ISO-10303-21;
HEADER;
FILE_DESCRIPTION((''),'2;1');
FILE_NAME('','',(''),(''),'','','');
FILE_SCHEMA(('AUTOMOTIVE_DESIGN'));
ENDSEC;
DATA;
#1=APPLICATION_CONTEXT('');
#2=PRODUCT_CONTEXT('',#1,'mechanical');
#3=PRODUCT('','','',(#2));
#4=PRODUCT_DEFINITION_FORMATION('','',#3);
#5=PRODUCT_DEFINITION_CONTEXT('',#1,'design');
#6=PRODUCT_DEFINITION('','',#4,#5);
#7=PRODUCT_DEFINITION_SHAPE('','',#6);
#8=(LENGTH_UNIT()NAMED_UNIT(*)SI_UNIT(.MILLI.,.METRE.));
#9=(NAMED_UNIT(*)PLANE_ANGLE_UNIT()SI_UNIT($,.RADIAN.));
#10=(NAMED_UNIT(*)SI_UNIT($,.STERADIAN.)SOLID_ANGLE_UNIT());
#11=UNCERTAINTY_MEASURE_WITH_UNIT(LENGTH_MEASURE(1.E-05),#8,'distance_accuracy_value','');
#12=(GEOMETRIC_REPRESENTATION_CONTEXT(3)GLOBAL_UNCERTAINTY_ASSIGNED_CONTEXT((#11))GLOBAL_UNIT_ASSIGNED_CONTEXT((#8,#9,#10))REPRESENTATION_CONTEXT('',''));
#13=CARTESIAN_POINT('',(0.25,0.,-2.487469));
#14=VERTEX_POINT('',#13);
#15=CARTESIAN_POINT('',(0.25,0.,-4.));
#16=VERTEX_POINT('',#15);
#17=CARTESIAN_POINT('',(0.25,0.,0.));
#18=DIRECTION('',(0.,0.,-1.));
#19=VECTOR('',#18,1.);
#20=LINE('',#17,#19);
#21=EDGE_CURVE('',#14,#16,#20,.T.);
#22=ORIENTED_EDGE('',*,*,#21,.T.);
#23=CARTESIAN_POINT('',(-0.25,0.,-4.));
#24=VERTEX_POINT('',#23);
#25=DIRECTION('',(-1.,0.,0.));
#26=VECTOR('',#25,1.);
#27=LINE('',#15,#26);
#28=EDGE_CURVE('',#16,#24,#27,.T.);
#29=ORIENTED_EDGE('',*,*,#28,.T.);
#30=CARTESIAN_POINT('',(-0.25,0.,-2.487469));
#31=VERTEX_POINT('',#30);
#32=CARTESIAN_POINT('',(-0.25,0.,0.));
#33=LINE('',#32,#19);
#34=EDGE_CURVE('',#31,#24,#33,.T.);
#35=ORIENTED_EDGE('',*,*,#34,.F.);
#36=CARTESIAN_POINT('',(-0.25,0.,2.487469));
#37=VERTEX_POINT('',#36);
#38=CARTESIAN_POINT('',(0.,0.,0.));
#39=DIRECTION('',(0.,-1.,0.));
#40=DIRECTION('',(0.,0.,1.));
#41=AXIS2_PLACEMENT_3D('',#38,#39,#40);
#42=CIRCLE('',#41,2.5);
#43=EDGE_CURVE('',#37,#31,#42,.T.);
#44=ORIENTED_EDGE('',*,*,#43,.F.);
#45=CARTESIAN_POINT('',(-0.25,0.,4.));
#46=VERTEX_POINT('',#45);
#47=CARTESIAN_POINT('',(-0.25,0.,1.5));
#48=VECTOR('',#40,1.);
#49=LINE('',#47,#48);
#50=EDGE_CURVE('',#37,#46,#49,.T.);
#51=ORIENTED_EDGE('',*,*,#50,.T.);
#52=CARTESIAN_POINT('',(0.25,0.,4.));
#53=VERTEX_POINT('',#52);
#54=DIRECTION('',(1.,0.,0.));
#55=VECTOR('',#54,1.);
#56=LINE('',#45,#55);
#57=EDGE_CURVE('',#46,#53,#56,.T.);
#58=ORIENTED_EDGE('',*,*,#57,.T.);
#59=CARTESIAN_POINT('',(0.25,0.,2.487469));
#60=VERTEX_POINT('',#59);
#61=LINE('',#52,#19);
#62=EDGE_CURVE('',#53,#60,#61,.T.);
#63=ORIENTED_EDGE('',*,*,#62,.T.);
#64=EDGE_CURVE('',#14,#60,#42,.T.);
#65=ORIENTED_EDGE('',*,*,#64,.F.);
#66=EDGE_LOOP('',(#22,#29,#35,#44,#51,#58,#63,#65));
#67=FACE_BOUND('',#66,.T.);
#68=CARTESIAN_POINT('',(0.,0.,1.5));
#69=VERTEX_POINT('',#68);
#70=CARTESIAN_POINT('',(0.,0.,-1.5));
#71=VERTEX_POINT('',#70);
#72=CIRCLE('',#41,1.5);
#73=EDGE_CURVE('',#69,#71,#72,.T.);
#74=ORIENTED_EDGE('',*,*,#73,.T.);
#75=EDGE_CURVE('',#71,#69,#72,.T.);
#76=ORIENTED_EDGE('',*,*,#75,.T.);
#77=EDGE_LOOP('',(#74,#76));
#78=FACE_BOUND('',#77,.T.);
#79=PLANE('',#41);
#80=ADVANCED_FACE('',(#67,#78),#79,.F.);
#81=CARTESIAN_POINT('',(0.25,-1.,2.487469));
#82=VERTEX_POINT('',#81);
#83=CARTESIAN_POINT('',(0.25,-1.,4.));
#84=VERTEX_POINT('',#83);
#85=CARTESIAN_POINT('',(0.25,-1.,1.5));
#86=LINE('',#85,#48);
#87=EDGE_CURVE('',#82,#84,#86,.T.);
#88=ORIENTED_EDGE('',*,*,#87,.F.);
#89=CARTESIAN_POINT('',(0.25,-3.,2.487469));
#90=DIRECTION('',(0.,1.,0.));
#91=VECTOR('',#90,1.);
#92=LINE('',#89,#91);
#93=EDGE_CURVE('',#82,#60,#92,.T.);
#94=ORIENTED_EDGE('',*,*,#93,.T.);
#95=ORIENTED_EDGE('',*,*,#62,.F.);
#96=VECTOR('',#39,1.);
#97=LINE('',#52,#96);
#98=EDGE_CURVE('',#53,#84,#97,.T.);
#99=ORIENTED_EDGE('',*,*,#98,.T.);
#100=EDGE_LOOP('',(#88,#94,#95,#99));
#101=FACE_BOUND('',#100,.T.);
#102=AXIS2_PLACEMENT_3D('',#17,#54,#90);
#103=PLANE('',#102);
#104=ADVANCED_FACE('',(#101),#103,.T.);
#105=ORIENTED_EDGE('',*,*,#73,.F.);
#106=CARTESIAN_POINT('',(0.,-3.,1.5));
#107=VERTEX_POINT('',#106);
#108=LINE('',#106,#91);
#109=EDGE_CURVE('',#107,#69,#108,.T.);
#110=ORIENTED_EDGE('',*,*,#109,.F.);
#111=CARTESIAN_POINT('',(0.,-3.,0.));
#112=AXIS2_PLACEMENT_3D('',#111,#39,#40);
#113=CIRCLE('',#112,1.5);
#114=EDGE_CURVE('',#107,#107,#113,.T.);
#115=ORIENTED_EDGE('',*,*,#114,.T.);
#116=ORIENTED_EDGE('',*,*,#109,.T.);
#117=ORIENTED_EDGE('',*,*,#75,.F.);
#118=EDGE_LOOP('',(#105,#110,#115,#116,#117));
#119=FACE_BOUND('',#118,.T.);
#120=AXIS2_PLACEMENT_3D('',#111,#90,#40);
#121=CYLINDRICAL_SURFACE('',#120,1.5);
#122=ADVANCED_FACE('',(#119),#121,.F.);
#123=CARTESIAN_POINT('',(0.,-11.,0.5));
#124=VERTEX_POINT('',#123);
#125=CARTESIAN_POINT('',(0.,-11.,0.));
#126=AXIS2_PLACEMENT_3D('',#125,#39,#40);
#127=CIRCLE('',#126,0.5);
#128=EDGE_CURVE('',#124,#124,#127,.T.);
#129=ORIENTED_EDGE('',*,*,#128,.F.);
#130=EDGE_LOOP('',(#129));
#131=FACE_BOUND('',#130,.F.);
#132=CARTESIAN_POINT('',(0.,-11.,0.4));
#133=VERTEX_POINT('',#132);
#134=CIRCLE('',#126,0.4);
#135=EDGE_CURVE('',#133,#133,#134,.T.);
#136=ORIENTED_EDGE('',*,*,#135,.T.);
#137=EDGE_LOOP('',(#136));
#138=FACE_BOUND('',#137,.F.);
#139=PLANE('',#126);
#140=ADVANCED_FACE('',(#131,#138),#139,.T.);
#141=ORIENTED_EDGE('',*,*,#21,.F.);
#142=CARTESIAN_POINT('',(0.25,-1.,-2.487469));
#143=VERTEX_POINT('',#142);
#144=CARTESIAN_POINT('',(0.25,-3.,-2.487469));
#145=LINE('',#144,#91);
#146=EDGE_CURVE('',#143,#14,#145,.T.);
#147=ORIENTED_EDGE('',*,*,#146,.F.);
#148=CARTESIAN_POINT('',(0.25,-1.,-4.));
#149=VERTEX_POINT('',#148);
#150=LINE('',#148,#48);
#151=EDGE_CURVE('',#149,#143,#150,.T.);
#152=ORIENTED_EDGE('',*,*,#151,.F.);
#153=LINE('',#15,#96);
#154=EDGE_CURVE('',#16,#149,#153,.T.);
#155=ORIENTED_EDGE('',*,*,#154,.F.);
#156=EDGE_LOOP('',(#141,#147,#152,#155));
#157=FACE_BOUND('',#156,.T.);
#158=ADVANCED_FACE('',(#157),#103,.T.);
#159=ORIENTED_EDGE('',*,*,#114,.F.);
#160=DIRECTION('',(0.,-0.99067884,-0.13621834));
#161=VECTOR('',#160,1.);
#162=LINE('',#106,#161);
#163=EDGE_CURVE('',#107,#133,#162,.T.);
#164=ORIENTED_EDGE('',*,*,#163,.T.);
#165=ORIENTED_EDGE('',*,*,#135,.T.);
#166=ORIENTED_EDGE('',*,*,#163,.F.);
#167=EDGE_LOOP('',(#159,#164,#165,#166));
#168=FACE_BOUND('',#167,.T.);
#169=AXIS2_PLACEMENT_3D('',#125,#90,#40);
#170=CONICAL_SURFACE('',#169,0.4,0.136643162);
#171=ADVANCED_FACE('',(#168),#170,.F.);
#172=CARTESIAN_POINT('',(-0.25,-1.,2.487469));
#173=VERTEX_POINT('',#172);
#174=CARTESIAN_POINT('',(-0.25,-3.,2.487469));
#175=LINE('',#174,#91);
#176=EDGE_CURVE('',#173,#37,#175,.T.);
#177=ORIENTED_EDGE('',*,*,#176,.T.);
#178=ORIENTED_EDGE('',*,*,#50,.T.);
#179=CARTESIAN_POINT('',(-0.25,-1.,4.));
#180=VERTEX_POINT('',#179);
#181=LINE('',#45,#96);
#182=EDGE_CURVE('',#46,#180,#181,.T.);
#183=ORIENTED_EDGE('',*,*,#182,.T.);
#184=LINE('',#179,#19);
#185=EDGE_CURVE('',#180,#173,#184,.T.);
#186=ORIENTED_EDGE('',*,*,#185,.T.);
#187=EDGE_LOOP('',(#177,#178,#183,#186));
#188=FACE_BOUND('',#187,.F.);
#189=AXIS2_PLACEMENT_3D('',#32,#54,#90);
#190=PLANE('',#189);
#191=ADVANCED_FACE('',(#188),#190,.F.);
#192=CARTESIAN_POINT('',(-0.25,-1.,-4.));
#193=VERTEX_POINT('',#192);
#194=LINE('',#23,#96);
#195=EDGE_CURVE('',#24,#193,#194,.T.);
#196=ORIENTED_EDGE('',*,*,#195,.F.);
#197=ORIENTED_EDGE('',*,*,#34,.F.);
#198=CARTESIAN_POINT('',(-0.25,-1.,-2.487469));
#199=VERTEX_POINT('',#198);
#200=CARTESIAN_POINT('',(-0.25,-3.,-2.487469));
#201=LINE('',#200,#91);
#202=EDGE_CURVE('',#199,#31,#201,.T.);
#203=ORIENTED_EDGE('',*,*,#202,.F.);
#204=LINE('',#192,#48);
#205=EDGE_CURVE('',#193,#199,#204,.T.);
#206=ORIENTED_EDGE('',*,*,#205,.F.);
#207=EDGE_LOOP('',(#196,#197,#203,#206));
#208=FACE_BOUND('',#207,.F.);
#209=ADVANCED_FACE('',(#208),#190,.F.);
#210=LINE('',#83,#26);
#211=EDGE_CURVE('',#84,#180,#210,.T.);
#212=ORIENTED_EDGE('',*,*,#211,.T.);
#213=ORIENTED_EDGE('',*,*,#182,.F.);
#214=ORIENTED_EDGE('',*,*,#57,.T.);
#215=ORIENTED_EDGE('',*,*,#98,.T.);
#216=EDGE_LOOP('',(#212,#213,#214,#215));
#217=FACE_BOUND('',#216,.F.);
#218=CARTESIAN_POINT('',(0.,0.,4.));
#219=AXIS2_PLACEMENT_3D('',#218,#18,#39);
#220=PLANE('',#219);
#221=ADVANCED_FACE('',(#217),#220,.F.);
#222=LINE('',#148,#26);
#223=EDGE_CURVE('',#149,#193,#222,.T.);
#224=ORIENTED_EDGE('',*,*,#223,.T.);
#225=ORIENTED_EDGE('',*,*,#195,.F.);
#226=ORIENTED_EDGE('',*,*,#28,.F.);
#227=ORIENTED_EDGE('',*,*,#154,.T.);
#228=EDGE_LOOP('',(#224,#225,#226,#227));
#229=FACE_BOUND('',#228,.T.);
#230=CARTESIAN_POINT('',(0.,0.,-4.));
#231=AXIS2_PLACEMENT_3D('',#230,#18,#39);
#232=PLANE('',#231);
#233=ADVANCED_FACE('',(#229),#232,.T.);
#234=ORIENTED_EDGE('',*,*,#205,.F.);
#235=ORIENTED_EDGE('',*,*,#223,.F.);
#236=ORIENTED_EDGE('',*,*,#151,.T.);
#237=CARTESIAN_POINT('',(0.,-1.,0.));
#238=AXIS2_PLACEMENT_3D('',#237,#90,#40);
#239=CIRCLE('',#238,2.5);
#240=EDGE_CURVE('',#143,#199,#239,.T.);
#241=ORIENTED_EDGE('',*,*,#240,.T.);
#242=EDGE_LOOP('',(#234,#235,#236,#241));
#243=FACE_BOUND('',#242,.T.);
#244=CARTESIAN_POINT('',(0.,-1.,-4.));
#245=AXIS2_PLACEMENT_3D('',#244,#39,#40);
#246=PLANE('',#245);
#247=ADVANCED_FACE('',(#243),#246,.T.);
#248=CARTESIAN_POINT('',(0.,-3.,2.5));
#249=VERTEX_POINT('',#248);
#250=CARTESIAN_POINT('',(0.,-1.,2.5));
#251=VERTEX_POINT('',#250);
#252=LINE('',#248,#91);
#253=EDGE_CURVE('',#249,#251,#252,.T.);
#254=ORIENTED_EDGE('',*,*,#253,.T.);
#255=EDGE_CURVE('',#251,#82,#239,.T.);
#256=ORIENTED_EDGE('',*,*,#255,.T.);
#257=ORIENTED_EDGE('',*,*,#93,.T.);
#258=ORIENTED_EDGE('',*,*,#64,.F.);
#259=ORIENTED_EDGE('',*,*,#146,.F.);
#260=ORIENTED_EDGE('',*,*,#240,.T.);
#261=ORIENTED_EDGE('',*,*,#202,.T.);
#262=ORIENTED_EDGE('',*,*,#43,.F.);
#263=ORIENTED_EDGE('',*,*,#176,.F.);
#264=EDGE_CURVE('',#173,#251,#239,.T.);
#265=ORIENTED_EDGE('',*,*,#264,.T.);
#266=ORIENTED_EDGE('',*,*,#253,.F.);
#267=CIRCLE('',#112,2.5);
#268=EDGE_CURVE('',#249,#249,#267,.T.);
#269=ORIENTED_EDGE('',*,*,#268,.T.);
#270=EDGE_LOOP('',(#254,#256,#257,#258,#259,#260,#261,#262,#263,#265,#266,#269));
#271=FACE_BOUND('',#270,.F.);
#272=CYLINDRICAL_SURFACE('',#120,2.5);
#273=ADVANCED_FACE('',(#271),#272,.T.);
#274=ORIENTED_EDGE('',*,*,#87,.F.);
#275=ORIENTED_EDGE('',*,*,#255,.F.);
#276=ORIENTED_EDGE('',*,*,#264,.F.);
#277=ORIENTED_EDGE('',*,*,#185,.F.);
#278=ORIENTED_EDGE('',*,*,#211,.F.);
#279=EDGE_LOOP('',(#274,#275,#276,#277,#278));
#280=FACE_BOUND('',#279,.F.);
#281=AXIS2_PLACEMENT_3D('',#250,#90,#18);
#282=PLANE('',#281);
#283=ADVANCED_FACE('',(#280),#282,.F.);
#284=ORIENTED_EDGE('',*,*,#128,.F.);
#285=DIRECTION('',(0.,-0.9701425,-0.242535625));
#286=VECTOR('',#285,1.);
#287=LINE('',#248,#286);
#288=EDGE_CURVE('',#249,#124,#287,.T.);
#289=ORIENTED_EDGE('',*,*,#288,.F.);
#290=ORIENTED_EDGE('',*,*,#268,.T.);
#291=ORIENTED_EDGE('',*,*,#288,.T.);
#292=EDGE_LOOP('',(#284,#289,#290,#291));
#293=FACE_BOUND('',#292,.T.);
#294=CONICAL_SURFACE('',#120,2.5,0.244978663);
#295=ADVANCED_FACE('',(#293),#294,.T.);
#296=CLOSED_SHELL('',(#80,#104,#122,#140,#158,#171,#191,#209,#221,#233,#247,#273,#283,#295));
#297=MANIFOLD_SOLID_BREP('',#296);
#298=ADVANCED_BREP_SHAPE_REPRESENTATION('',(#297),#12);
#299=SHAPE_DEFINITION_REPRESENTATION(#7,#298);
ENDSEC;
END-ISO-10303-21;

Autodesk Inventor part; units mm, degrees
ref_plane "YZ Plane" through (0, 0, 0) normal (1, 0, 0) x (0, 1, 0)
ref_plane "XZ Plane" through (0, 0, 0) normal (0, 1, 0) x (-1, 0, 0)
ref_plane "XY Plane" through (0, 0, 0) normal (0, 0, 1) x (1, 0, 0)
sketch "Sketch1" plane through (0, 0, 0) normal (1, 0, 0) x (0, 1, 0)
  line L0 (0, 0) -> (0, 1.5)
  line L1 (0, 1.5) -> (0, 4)
  line L2 (0, 0) -> (-11, 0)
  line L3 (-11, 0) -> (-11, 0.5)
  line L4 (-11, 0.5) -> (-3, 0.5)
  line L5 (-3, 0.5) -> (-3, 1.5)
  line L6 (-3, 1.5) -> (0, 1.5)
  line L7 (-3, 1.5) -> (-3, 2.5)
  line L8 (-3, 2.5) -> (-11, 0.5)
  line L9 (-3, 2.5) -> (0, 2.5)
  line L10 (0, 4) -> (-1, 4)
  line L11 (-1, 4) -> (-1, 2.5)
  line L12 (0, 0) -> (0, -4)
  line L13 (0, -4) -> (-1, -4)
  line L14 (-1, -4) -> (-1, -1.5)
  line L15 (-1, -1.5) -> (0, -1.5)
  line L16 (-11, 0.5) -> (-11, 0.4)
  line L17 (-11, 0.4) -> (-3, 1.5)
  line L18 (-1, 2.5) -> (-1, 1.5)
  dimension "d0" = 1.5
  dimension "d1" = 2.5
  dimension "d2" = 11
  dimension "d3" = 0.5
  dimension "d4" = 8
  dimension "d5" = 1
  dimension "d6" = 1
  dimension "d7" = 1
  dimension "d8" = 4
  dimension "d9" = 1
  dimension "d10" = 2.5
  dimension "d11" = 0.1
revolve "Revolution1" add sketch "Sketch1" angle 360 about axis through (0, 0, 0) along (0, -1, 0) contours L6 L18 L9 L1 | L6 L7 L9 L18 | L3 L4 L17 | L17 L4 L8 L7
extrude "Extrusion1" add sketch "Sketch1" along normal mid plane 0.5 contours L12 L13 L14 L15 | L6 L18 L9 L1 | L9 L11 L10 L1
thread "Thread1" size "M3x0.5" class "6H" standard "ISO Metric profile" full length
properties part number "Nozzle"
